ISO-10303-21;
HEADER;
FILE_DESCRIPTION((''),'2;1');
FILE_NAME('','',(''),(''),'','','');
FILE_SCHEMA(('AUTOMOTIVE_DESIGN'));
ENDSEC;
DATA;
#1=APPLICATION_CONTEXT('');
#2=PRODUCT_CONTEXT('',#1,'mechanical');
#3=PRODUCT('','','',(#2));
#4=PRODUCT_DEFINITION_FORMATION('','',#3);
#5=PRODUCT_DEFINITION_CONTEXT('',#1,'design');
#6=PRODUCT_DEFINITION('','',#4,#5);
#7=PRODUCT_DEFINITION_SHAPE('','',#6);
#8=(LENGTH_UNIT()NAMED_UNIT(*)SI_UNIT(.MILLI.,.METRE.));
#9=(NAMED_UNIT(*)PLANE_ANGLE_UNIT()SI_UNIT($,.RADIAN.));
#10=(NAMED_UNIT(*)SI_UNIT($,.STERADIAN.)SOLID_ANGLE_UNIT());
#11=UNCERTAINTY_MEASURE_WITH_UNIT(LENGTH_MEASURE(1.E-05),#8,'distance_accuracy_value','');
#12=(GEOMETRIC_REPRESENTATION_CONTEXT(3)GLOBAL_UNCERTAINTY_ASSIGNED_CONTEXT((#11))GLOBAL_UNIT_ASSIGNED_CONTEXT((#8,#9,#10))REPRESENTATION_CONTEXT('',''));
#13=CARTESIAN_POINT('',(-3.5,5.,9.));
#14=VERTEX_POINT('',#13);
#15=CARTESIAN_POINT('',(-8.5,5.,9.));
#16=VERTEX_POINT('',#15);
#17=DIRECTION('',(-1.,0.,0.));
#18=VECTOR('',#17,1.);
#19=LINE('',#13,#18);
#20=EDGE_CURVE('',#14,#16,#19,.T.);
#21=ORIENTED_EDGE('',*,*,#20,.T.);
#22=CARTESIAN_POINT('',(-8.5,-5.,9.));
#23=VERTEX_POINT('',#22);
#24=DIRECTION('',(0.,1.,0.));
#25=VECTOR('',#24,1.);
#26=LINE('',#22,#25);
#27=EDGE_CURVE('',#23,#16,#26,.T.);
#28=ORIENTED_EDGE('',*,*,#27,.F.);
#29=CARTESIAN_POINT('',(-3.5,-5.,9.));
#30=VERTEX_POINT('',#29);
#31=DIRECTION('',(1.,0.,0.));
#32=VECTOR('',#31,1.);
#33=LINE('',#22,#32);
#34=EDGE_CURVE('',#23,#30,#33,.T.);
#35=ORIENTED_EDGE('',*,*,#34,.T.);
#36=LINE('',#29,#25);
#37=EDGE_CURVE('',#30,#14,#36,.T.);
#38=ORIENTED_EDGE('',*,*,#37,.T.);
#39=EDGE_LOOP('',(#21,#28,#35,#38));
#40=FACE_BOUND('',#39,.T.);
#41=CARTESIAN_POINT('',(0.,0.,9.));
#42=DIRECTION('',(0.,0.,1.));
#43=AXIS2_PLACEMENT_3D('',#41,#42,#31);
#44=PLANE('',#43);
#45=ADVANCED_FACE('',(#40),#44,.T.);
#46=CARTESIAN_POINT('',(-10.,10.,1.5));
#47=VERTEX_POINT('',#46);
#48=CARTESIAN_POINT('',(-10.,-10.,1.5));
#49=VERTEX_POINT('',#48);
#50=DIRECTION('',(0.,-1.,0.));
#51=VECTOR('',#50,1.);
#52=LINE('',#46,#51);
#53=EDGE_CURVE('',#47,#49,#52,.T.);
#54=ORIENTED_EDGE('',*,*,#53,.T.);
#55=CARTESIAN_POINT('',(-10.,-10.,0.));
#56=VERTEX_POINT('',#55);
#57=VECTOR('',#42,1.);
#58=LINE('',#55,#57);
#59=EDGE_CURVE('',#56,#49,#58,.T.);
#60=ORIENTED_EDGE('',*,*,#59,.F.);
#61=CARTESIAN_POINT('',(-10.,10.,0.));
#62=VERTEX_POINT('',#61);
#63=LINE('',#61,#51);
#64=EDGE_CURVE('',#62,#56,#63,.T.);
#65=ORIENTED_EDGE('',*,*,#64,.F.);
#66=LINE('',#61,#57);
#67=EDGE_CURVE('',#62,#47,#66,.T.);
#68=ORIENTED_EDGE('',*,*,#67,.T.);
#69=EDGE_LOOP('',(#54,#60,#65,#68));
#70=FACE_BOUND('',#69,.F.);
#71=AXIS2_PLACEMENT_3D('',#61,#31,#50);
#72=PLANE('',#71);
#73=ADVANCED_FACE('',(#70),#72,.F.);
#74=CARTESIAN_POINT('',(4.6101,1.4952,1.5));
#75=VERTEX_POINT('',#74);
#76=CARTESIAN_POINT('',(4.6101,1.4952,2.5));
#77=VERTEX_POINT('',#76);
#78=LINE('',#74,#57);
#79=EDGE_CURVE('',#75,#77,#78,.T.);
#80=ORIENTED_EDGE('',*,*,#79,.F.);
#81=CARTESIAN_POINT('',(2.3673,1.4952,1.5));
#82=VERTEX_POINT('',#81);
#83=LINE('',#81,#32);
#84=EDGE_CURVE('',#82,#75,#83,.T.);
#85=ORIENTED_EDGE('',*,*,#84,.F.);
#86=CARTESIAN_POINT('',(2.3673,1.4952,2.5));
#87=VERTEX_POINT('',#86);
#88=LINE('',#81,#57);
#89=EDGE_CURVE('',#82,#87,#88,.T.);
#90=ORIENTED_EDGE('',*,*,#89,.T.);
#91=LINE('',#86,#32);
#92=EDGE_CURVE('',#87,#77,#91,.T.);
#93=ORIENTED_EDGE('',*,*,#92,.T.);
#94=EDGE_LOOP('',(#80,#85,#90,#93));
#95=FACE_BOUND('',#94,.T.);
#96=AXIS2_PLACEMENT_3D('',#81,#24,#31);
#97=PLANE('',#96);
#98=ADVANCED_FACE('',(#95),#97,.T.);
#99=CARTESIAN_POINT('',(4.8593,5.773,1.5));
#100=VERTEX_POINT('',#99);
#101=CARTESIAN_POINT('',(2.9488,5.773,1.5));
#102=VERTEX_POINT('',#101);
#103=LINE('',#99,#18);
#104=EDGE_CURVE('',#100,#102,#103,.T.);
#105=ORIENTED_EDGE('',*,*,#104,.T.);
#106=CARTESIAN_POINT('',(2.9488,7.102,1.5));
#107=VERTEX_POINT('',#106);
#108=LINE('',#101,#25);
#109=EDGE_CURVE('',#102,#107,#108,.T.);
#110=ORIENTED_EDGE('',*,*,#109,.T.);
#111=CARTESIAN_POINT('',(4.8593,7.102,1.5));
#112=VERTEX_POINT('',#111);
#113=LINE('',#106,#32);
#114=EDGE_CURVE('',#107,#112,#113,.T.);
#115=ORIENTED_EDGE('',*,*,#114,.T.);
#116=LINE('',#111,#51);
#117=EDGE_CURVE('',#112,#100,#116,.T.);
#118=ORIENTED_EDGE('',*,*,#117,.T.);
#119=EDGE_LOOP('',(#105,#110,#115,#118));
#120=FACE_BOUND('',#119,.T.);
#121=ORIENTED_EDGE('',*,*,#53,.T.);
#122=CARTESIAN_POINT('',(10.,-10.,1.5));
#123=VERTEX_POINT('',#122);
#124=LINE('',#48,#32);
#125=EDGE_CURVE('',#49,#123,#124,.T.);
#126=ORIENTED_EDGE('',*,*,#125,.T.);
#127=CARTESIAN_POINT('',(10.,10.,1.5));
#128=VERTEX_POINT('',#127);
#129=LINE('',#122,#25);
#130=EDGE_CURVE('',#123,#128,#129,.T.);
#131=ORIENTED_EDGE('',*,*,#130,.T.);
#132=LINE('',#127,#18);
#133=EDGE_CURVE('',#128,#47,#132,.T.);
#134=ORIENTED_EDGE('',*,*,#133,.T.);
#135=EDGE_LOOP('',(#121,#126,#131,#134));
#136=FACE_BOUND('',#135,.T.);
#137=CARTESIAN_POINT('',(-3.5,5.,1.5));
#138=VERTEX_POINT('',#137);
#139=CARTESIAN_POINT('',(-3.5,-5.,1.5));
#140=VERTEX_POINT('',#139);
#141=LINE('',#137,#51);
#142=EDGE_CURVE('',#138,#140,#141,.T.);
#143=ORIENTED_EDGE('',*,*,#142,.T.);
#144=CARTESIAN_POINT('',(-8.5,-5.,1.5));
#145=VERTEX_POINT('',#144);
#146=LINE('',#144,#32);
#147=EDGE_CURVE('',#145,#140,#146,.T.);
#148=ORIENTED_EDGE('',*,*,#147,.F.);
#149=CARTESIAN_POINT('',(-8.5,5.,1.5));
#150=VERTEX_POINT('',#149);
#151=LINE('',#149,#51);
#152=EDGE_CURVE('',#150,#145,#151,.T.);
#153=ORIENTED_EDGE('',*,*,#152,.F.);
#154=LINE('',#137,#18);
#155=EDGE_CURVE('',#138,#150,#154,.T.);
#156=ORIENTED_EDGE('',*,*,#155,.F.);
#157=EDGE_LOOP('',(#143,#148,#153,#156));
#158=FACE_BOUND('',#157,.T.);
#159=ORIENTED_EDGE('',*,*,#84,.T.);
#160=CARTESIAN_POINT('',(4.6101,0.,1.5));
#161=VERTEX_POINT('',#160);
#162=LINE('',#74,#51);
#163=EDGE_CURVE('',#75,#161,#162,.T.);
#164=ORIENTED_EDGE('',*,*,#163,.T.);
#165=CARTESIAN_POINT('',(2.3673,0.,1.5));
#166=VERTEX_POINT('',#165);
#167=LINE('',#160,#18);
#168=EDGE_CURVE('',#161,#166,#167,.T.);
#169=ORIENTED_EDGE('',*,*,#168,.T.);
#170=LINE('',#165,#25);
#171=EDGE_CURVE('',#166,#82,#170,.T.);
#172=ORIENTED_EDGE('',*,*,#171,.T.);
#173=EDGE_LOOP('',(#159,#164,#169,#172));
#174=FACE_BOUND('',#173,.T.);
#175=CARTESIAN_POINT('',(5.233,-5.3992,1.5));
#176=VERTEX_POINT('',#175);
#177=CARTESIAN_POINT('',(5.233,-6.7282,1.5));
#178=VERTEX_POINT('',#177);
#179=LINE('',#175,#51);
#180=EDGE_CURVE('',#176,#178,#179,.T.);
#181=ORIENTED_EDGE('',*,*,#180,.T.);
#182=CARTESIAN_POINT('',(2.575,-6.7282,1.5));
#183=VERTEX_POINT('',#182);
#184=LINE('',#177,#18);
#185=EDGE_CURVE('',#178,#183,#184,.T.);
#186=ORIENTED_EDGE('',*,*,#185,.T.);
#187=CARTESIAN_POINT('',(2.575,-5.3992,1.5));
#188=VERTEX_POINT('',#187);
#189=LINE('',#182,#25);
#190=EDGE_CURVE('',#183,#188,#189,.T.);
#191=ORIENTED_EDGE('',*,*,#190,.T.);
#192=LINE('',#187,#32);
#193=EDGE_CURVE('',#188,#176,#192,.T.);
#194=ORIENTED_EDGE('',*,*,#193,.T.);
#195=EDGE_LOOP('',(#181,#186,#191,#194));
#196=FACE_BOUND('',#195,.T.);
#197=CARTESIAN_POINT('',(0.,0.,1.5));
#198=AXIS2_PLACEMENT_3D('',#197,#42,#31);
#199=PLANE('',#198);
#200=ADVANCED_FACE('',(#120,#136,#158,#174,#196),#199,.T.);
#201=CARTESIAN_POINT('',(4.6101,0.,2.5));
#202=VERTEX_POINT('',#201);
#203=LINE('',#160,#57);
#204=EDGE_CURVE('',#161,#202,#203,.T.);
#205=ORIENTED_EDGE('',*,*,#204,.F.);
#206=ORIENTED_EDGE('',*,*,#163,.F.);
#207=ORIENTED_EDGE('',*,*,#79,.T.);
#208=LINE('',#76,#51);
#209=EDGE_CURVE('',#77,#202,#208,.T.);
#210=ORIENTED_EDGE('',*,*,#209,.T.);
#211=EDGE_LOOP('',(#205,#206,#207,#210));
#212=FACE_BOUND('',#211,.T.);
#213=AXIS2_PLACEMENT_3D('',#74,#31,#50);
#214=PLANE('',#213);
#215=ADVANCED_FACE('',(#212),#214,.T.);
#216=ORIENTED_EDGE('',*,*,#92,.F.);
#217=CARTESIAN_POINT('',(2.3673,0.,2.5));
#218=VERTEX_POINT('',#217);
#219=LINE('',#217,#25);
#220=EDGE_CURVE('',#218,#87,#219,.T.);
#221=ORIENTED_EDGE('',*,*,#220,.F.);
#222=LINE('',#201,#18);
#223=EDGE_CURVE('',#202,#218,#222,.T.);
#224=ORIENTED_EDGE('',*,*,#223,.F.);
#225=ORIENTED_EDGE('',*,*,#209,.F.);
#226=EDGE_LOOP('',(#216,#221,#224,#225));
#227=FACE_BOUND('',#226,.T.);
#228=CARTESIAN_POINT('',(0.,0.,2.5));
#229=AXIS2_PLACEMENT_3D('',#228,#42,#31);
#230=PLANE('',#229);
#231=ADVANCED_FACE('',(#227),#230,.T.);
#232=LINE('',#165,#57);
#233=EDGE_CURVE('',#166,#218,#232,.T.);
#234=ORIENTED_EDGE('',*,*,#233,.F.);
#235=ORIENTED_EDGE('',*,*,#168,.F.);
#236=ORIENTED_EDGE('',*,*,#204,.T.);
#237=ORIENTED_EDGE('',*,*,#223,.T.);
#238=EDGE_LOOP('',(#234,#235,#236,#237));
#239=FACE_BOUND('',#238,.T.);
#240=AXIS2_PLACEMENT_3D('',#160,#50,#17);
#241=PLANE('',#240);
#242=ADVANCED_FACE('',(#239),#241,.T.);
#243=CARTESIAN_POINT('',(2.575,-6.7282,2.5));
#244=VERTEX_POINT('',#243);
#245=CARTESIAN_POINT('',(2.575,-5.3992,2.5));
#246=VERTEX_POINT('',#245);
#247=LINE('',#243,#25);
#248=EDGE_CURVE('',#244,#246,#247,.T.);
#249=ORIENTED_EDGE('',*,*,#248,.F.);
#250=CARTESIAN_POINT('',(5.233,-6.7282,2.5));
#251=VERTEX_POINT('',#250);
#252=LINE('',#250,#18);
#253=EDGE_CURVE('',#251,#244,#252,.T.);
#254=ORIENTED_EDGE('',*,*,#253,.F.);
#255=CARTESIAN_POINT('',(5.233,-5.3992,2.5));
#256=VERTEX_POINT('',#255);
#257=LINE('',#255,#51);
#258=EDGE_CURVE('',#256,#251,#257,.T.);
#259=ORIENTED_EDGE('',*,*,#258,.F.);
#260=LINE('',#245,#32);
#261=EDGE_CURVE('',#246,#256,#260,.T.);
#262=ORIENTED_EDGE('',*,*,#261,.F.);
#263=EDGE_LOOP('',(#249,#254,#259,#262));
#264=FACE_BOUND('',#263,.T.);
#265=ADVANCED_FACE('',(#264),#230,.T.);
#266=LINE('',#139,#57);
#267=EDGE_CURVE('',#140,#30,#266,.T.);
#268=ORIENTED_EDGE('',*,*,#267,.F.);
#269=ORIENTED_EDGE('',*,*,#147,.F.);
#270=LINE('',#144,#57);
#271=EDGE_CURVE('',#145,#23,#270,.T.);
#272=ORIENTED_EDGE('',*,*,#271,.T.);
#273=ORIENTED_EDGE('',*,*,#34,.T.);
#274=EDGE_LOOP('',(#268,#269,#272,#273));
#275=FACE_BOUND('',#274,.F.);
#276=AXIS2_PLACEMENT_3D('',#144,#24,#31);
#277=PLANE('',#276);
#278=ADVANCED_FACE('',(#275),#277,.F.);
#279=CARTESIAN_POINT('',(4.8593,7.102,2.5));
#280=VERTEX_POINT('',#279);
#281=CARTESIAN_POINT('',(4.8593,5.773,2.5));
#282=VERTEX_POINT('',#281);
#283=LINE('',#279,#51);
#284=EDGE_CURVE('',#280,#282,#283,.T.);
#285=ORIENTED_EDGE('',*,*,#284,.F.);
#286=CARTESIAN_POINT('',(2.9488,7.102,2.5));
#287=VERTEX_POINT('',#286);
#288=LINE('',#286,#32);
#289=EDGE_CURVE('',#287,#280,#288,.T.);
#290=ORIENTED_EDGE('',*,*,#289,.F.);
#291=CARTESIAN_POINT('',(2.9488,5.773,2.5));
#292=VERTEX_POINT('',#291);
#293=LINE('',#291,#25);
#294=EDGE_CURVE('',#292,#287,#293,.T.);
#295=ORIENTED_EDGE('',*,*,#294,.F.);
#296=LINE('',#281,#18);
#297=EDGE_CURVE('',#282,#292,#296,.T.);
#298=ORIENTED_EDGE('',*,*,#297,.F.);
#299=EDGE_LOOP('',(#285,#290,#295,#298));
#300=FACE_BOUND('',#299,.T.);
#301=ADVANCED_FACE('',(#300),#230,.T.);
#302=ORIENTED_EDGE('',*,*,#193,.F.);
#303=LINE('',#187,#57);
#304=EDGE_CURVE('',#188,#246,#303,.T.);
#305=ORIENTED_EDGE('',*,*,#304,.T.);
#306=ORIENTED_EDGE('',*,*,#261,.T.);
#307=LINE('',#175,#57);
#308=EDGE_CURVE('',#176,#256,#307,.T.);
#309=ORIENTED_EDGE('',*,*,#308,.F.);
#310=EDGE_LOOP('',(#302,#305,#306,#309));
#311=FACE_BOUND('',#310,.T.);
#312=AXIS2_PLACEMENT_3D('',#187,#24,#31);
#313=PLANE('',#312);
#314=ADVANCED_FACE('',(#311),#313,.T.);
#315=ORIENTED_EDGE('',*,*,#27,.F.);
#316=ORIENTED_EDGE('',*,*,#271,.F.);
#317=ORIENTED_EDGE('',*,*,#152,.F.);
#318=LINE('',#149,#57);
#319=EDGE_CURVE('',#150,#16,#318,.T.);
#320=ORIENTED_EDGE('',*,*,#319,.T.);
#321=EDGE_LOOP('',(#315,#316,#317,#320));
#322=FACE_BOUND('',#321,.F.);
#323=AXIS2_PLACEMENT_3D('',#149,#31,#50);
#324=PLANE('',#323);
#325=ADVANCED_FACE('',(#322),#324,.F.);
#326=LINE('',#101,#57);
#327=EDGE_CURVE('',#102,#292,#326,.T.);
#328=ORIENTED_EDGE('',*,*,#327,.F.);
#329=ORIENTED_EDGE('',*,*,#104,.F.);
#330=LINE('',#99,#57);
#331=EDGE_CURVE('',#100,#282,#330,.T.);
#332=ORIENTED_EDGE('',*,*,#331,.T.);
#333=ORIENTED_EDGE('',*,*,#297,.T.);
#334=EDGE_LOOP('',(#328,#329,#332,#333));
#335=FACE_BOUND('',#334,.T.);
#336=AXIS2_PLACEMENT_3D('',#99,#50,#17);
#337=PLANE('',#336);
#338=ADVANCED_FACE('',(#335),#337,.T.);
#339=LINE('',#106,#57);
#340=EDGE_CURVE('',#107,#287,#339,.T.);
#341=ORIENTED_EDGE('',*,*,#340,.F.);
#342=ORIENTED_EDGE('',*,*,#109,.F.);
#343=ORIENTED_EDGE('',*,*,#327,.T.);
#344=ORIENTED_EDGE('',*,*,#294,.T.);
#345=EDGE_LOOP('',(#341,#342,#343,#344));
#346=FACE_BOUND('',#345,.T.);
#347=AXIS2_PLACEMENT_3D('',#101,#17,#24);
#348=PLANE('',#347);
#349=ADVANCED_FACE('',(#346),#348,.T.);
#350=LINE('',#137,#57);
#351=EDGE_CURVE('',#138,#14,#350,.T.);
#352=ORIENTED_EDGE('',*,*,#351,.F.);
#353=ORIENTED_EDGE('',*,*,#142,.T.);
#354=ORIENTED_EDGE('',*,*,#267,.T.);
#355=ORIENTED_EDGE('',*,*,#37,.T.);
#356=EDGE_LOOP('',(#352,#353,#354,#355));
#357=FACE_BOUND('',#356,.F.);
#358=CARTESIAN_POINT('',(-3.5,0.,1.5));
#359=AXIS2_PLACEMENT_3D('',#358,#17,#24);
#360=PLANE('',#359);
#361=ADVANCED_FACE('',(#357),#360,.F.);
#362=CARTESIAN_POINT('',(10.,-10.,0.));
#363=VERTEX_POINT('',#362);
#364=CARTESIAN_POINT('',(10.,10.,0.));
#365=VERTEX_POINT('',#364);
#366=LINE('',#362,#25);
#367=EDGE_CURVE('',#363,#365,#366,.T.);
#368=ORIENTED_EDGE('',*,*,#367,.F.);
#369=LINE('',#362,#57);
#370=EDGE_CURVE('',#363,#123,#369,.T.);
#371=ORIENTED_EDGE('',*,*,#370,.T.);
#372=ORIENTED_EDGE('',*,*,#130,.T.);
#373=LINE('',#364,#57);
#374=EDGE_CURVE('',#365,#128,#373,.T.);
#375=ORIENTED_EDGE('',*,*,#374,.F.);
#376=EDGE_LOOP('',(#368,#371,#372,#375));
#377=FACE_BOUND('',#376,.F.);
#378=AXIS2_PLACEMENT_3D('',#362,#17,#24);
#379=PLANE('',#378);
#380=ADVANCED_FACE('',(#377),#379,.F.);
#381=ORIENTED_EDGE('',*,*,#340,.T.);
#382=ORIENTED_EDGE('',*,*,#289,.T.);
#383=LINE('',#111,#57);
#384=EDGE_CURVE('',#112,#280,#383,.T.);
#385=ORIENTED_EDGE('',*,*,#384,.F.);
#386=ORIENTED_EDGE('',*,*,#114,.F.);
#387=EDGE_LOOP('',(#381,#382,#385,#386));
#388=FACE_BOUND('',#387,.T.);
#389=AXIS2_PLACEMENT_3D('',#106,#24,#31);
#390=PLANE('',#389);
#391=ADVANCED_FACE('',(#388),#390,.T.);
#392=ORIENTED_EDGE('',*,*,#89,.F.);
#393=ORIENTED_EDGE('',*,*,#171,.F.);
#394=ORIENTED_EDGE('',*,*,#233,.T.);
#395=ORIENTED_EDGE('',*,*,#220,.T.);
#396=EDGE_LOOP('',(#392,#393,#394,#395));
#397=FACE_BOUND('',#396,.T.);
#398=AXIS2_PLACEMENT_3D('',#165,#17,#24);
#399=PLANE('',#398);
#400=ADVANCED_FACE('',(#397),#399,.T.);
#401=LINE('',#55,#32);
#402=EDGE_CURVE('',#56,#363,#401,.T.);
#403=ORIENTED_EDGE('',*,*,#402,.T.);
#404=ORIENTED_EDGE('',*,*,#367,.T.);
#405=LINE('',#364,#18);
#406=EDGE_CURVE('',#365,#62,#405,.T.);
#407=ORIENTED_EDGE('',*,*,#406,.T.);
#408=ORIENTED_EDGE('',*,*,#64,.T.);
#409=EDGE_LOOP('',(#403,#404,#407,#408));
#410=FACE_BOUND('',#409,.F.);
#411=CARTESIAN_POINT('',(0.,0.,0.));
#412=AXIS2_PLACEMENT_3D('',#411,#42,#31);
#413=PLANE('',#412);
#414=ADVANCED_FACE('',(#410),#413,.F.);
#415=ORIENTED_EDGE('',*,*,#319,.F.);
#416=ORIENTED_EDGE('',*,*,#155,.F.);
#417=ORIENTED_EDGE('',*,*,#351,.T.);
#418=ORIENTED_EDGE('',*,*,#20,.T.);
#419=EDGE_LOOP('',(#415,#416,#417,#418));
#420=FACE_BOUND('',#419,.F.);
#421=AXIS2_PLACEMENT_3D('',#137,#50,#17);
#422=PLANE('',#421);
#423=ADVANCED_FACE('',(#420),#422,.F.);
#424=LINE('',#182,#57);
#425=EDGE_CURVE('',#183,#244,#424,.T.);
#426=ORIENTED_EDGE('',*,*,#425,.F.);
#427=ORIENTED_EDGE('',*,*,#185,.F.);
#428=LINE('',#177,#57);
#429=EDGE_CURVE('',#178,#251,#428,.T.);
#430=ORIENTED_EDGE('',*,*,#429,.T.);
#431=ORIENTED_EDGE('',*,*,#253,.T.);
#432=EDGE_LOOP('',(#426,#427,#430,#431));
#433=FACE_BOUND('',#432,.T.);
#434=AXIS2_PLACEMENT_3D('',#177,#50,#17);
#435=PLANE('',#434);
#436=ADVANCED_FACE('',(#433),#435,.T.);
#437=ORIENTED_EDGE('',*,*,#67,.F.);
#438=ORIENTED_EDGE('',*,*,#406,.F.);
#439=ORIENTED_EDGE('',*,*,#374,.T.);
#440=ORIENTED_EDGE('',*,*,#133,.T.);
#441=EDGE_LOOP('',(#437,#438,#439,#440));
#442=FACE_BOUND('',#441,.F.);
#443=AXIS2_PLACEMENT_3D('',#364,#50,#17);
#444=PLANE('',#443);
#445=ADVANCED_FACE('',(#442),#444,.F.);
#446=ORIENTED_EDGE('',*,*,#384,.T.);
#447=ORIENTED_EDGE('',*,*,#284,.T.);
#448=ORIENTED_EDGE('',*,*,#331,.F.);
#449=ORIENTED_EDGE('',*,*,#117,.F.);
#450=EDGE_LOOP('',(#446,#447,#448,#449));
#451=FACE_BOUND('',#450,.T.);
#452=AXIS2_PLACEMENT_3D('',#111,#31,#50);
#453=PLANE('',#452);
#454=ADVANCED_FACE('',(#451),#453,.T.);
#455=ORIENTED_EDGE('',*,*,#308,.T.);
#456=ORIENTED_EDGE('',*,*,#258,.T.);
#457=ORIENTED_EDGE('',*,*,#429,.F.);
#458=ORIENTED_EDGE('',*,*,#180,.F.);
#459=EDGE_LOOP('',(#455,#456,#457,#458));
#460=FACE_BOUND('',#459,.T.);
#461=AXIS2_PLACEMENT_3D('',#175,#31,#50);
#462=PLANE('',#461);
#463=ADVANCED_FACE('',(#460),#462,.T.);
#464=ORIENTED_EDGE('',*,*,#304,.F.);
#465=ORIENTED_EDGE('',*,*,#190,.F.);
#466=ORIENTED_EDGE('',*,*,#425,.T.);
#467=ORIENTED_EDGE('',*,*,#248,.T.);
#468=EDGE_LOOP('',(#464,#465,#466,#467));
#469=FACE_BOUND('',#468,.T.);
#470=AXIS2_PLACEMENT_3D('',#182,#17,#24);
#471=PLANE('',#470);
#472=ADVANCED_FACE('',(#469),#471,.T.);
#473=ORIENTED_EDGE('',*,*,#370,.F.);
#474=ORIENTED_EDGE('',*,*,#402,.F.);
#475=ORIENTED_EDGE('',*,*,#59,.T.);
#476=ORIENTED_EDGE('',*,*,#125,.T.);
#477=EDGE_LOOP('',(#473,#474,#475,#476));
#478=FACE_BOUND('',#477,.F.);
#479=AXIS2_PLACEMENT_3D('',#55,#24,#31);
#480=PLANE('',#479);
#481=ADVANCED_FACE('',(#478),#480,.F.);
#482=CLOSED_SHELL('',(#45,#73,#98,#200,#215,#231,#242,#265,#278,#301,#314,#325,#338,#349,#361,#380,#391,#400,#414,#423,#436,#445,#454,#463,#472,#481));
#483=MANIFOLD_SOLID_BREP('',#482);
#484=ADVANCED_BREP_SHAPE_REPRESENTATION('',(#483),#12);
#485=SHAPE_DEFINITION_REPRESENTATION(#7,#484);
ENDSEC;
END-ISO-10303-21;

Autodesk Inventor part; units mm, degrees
ref_plane "YZ Plane" through (0, 0, 0) normal (1, 0, 0) x (0, 1, 0)
ref_plane "XZ Plane" through (0, 0, 0) normal (0, 1, 0) x (-1, 0, 0)
ref_plane "XY Plane" through (0, 0, 0) normal (0, 0, 1) x (1, 0, 0)
sketch "Sketch1" plane through (0, 0, 0) normal (0, 0, 1) x (1, 0, 0)
  line L0 (-10, -10) -> (10, -10)
  line L1 (10, -10) -> (10, 10)
  line L2 (10, 10) -> (-10, 10)
  line L3 (-10, 10) -> (-10, -10)
  line L4 (-10, -10) -> (10, 10) construction
  line L5 (10, -10) -> (-10, 10) construction
  point P0 (0, 0)
  dimension "d0" = 20
  dimension "d1" = 20
extrude "Extrusion1" add sketch "Sketch1" along normal blind 1.5
sketch "Sketch2" plane through (0, 0, 1.5) normal (0, 0, 1) x (1, 0, 0)
  line L0 (-14, 0) -> (14, 0) projected
  line L1 (-8.5, -5) -> (-3.5, -5)
  line L2 (-3.5, -5) -> (-3.5, 5)
  line L3 (-3.5, 5) -> (-8.5, 5)
  line L4 (-8.5, 5) -> (-8.5, -5)
  line L5 (-8.5, -5) -> (-3.5, 5) construction
  line L6 (-3.5, -5) -> (-8.5, 5) construction
  line L7 (-10, 10) -> (-10, -10) projected
  point P0 (0, 0)
  point P1 (-6, 0)
  dimension "d4" = 1.5
  dimension "d5" = 10
  dimension "d6" = 5
extrude "Extrusion2" add sketch "Sketch2" along normal blind 7.5
sketch "Sketch3" plane through (0, 0, 1.5) normal (0, 0, 1) x (1, 0, 0)
  line L0 (2.9488, 7.102) -> (4.8593, 7.102)
  line L1 (4.8593, 7.102) -> (4.8593, 5.773)
  line L2 (4.8593, 5.773) -> (2.9488, 5.773)
  line L3 (2.9488, 5.773) -> (2.9488, 7.102)
  line L4 (2.9488, 7.102) -> (4.8593, 5.773) construction
  line L5 (4.8593, 7.102) -> (2.9488, 5.773) construction
  line L6 (2.3673, 1.4952) -> (4.6101, 1.4952)
  line L7 (4.6101, 1.4952) -> (4.6101, 0)
  line L8 (4.6101, 0) -> (2.3673, 0)
  line L9 (2.3673, 0) -> (2.3673, 1.4952)
  line L10 (2.3673, 1.4952) -> (4.6101, 0) construction
  line L11 (4.6101, 1.4952) -> (2.3673, 0) construction
  line L12 (2.575, -5.3992) -> (5.233, -5.3992)
  line L13 (5.233, -5.3992) -> (5.233, -6.7282)
  line L14 (5.233, -6.7282) -> (2.575, -6.7282)
  line L15 (2.575, -6.7282) -> (2.575, -5.3992)
  line L16 (2.575, -5.3992) -> (5.233, -6.7282) construction
  line L17 (5.233, -5.3992) -> (2.575, -6.7282) construction
  point P0 (0, 0)
  point P1 (3.904, 6.4375)
  point P2 (3.4887, 0.7476)
  point P3 (3.904, -6.0637)
extrude "Extrusion3" add sketch "Sketch3" along normal blind 1
properties part number "sunlightsensor"
